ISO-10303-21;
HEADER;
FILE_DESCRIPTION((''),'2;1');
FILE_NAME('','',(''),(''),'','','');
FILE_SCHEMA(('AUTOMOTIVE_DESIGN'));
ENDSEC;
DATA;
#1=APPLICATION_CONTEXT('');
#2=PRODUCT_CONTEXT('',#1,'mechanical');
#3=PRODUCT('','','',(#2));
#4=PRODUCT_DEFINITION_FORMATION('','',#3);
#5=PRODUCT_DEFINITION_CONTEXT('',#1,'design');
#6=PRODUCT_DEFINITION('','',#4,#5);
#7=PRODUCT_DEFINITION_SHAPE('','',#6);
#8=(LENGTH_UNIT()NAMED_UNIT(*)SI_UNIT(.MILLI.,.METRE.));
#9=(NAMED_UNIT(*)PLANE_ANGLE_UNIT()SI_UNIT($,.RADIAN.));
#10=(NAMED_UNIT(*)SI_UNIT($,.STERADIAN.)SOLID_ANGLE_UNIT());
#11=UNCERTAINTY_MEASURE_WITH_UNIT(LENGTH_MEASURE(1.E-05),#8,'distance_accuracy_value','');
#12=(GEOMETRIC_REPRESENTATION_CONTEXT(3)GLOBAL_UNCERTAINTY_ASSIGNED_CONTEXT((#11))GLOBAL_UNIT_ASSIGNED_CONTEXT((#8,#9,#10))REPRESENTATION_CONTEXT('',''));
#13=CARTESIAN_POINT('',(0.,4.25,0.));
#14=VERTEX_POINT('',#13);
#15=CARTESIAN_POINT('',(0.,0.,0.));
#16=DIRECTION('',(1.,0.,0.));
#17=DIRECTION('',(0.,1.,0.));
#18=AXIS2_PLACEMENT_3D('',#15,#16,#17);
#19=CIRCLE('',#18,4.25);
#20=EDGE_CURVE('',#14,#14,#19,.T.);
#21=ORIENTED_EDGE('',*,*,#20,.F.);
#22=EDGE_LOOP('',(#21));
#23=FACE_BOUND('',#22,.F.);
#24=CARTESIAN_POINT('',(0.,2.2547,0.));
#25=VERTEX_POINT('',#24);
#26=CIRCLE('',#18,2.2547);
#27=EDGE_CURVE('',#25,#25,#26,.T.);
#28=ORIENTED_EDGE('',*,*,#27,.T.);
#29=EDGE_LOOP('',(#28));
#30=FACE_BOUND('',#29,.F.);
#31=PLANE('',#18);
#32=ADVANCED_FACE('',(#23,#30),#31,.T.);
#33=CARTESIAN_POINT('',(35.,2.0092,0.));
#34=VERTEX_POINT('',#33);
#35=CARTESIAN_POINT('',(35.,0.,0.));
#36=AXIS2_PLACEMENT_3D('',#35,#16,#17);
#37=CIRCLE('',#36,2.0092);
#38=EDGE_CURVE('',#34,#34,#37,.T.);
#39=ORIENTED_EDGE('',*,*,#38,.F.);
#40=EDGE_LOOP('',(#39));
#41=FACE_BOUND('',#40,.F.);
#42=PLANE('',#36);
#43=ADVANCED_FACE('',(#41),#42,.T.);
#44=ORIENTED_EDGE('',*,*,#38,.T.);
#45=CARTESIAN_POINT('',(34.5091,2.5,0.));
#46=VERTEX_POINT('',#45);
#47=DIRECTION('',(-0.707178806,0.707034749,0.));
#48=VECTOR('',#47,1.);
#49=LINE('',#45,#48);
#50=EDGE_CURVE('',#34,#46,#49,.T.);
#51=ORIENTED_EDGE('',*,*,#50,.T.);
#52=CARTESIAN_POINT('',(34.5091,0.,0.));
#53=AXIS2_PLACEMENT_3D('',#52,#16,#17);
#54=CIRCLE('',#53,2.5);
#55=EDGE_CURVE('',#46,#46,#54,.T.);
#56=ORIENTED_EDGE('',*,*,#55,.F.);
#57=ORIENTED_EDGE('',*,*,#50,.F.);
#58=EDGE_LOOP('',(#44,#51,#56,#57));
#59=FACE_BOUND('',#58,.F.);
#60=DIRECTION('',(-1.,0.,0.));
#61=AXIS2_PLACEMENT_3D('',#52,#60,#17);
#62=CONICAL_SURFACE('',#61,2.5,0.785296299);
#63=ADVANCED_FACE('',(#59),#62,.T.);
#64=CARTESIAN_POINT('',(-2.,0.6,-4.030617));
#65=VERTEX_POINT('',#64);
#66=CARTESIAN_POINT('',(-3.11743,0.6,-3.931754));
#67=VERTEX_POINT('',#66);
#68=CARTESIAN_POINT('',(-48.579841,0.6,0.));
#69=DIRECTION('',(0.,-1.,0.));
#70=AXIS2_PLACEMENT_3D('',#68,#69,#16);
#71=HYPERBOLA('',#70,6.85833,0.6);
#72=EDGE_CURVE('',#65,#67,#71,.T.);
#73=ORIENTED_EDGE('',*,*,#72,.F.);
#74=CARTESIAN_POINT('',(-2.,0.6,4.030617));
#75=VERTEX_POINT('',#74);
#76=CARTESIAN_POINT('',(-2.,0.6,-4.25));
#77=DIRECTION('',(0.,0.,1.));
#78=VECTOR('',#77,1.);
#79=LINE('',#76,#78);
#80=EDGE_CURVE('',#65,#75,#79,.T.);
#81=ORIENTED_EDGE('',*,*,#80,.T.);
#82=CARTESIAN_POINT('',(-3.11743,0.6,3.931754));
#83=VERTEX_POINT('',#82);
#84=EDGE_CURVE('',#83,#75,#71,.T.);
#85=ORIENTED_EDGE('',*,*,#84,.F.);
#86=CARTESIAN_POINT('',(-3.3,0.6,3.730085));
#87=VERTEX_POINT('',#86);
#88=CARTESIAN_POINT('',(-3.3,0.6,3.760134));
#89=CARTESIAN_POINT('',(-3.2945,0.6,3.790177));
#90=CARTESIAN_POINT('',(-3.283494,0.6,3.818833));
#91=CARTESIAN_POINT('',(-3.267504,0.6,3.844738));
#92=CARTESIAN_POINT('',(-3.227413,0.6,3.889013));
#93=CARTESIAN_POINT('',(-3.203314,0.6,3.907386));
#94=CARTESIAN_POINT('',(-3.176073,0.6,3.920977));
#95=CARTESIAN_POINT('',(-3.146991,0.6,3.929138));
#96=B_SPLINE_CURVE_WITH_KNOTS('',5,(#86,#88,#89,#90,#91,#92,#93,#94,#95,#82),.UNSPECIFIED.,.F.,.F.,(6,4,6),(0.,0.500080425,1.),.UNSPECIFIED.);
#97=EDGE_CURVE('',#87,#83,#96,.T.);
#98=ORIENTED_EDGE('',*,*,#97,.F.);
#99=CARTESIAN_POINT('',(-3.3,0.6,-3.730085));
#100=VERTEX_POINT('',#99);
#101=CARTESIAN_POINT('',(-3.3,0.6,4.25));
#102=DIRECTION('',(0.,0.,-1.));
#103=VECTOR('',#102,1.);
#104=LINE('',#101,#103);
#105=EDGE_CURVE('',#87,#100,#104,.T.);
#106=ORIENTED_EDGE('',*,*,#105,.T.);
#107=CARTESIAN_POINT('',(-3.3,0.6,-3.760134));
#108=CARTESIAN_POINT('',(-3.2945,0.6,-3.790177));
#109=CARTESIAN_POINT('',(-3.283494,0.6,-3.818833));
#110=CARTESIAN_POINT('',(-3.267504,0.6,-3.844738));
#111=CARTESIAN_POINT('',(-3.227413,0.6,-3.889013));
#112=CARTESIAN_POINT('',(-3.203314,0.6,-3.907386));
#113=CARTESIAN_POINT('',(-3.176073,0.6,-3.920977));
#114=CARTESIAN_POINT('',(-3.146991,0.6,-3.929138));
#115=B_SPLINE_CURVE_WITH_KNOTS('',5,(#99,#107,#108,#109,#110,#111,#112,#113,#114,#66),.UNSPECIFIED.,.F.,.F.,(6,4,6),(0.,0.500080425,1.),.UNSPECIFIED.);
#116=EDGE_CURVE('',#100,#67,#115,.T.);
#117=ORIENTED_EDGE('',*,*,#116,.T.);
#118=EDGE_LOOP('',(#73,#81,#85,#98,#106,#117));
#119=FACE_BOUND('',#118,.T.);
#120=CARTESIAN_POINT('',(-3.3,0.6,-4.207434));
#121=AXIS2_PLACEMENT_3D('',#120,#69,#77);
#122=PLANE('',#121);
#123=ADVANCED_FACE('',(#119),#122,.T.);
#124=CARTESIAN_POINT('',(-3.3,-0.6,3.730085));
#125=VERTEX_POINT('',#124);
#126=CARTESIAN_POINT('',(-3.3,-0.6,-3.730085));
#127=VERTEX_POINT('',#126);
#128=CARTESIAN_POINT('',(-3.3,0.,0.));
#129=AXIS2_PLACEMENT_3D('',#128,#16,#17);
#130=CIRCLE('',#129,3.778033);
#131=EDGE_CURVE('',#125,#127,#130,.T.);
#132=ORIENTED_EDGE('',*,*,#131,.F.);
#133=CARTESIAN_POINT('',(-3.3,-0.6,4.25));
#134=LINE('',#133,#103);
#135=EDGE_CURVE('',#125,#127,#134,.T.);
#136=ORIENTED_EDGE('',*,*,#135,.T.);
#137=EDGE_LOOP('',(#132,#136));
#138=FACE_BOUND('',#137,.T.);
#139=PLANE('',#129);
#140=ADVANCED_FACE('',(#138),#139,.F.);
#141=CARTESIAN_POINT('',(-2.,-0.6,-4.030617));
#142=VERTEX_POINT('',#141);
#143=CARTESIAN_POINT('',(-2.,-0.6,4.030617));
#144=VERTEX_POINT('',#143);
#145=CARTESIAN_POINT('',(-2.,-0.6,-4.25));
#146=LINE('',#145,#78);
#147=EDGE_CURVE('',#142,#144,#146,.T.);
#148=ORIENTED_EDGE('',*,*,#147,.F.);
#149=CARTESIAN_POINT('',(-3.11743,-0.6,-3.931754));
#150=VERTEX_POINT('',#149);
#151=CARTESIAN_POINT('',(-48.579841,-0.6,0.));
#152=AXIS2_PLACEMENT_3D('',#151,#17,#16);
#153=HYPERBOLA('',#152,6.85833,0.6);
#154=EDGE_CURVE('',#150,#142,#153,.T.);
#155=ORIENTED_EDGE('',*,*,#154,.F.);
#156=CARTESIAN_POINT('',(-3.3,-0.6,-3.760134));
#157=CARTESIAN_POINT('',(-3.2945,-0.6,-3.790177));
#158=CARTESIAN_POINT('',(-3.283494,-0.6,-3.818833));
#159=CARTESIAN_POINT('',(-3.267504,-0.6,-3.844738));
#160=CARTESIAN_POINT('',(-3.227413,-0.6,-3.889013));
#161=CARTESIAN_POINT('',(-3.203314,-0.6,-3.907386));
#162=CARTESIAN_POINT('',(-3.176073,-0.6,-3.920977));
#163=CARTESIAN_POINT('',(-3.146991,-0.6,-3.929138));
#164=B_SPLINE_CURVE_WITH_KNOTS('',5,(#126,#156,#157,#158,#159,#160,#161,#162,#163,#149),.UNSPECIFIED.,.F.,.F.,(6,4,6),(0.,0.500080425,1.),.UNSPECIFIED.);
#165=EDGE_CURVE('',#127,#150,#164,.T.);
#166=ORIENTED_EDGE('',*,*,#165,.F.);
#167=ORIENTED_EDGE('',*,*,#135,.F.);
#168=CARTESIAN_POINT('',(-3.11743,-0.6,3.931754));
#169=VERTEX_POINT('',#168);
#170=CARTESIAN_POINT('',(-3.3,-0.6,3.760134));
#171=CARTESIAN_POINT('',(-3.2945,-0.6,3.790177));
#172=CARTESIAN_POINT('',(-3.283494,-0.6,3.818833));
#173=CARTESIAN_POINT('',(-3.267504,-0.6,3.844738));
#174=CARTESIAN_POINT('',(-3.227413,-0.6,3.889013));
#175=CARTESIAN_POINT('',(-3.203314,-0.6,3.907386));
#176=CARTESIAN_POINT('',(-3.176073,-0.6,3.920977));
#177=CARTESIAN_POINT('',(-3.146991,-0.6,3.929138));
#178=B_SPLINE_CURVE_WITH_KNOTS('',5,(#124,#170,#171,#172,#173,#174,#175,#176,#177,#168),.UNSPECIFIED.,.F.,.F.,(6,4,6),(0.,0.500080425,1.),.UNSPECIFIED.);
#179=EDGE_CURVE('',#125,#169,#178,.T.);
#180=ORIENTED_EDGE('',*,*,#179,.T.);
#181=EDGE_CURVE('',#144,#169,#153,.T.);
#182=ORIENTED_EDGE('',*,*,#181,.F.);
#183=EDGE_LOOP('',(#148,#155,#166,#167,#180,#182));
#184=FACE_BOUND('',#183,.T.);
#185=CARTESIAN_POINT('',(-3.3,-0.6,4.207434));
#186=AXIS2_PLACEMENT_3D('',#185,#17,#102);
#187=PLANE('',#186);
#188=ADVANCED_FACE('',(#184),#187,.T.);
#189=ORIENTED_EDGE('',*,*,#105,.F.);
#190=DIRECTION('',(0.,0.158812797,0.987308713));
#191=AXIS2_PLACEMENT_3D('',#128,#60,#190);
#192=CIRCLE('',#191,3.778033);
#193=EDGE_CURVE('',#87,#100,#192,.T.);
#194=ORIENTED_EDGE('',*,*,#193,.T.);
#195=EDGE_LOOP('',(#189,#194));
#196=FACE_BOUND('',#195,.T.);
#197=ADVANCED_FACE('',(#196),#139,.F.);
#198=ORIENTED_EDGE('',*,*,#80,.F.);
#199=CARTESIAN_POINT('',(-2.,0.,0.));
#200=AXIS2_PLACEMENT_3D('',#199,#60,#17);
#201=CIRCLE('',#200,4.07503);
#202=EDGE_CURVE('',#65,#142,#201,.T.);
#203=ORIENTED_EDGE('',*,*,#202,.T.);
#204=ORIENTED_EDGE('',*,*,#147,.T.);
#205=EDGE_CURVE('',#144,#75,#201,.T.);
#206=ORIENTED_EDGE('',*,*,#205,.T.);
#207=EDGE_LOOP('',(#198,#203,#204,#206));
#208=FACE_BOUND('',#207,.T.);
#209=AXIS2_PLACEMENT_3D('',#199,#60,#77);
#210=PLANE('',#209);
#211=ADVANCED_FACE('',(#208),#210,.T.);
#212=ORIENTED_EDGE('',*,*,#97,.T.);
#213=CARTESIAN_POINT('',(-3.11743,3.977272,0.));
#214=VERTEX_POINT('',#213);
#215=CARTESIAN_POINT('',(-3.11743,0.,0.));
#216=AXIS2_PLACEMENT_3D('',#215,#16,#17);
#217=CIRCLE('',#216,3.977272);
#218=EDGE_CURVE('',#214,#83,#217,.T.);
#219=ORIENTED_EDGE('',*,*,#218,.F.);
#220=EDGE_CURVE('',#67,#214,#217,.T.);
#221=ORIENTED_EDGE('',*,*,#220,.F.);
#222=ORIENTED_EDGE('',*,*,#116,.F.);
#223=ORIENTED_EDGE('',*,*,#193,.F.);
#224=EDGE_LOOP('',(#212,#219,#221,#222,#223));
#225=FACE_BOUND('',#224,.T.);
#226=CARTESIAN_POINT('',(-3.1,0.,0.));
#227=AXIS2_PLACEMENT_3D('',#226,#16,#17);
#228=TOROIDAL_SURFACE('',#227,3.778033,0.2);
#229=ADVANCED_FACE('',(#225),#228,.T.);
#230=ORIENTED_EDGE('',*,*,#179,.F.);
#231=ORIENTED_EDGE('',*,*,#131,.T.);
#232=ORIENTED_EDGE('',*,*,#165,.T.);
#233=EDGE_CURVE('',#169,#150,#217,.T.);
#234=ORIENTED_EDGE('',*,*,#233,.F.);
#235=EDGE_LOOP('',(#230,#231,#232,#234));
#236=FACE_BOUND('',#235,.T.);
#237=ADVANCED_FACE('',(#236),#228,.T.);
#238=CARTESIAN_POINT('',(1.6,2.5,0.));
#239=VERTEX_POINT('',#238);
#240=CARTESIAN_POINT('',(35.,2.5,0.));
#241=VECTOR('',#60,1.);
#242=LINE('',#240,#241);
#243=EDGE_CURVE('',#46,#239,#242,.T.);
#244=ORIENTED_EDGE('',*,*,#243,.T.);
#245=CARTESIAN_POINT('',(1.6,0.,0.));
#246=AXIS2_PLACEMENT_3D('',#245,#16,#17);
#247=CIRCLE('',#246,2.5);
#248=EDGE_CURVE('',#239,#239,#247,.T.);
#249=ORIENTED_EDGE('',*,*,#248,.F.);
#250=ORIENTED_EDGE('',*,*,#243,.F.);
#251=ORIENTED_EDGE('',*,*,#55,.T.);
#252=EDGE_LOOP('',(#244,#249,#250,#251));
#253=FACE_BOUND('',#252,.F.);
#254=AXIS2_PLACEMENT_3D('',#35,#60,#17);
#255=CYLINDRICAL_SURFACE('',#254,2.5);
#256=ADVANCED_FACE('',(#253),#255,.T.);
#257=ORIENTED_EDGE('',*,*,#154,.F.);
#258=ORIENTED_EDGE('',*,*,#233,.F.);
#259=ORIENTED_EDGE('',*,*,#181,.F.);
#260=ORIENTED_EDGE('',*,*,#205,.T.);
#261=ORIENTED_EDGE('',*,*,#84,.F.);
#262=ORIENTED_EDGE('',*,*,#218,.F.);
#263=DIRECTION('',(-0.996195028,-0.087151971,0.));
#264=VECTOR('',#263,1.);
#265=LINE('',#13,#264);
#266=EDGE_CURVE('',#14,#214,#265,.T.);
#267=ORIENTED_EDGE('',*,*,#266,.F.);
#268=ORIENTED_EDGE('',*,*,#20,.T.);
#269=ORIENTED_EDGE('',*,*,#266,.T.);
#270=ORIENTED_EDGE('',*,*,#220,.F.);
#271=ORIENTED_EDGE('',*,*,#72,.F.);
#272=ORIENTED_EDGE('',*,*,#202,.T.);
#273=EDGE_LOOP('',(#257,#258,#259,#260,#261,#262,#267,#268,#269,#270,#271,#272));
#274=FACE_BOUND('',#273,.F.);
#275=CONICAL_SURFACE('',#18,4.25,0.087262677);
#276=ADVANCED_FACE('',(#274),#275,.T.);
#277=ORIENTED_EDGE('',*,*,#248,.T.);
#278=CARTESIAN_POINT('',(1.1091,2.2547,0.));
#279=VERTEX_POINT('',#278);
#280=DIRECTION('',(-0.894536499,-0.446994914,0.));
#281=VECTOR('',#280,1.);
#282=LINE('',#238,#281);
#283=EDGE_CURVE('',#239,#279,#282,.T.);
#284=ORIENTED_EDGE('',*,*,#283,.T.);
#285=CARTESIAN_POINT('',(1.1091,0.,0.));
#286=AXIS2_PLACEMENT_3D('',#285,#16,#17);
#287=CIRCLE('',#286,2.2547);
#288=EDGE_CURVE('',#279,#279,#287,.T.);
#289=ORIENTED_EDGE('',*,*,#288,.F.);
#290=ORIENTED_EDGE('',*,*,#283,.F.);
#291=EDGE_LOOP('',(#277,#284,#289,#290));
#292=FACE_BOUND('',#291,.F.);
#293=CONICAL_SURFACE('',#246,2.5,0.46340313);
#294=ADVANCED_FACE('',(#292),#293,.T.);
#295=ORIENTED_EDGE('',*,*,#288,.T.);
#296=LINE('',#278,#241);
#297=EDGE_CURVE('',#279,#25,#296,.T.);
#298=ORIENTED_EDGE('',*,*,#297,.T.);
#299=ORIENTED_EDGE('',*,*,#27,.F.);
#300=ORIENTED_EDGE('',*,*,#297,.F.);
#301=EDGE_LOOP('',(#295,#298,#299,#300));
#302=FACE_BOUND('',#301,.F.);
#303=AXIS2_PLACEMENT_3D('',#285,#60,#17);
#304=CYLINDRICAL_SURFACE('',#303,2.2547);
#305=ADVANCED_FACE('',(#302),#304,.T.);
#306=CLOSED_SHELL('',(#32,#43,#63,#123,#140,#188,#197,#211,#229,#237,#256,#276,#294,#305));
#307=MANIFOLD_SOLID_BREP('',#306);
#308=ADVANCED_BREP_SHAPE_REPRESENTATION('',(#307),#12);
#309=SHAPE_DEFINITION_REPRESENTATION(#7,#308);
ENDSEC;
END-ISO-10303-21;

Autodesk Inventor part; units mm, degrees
ref_plane "YZ Plane" through (0, 0, 0) normal (1, 0, 0) x (0, 1, 0)
ref_plane "XZ Plane" through (0, 0, 0) normal (0, 1, 0) x (-1, 0, 0)
sketch "Sketch1" plane through (0, 0, 0) normal (0, 0, 1) x (1, 0, 0)
  line L0 (-3.3, 0) -> (35, 0)
  line L1 (35, 0) -> (35, 2.5)
  line L2 (35, 2.5) -> (1.6, 2.5)
  line L3 (1.6, 2.5) -> (1.1091, 2.2547)
  line L4 (1.1091, 2.2547) -> (0, 2.2547)
  line L5 (0, 2.2547) -> (0, 4.25)
  line L6 (-10.96, 0) -> (42.66, 0) projected
  line L7 (0, -0.85) -> (0, 5.1) projected
  line L8 (-3.3, 0) -> (-3.3, 3.9613)
  line L9 (0, 4.25) -> (-3.3, 3.9613)
  line L10 (1.6, 2.5) -> (0, 2.5) construction
  dimension "d0" = 35
  dimension "d1" = 33.4
  dimension "d2" = 0.4909
  dimension "d3" = 3.3
  dimension "d4" = 5
  dimension "d5" = 4.5095
  dimension "d9" = 8.5
  dimension "d10" = 5
revolve "Body" add sketch "Sketch1" angle 360 about axis through (-3.3, 0, 0) along (1, 0, 0)
sketch "Sketch2" plane through (-3.3, 0, 0) normal (-1, 0, 0) x (0, 0, 1)
  circle A0 centre (0, 0) radius 4.25 projected
  line L0 (0, 0) -> (0, 3.9613) projected
  line L1 (-4.25, 0.6) -> (4.25, 0.6)
  line L2 (4.25, 0.6) -> (4.25, -0.6)
  line L3 (4.25, -0.6) -> (-4.25, -0.6)
  line L4 (-4.25, -0.6) -> (-4.25, 0.6)
  line L5 (-4.25, 0) -> (4.25, 0) construction
  line L6 (0, 0.6) -> (0, -0.6) construction
  dimension "d11" = 1.2
  dimension "d12" = 8.5
fillet "Fillet1" radius 0.2 1 edges at (-3.3, -3.9613, 0)
extrude "Slot" cut sketch "Sketch2" against normal blind 1.3 contours A0 L3 L1 | L2 L3 A0 | A0 L1 L2 | A0 L4 L1 | L3 L4 A0
thread "Thread" size "M5x0.8" class "6g" standard "ISO Metric profile" length 33.4
chamfer "Chamfer1" distance 0.4908 distance2 0.4909 1 edges at (35, -2.5, 0) measured on face at (35, 0.1959, -0.44)
ref_plane "Work Plane1" through (30.1625, 0, 0) normal (0, 0, -1) x (1, 0, 0)
equation "\"d11\" = SBR"
equation "\"d12\" = KOD"
equation "\"d19\" = STI"
equation "\"d14\" = RR"
equation "\"d15\" = GEL"
equation "\"d17\" = -0.5 * SPD + 0.5 * GD"
equation "\"d0\" = NLG"
equation "\"d1\" = GEL"
equation "\"d3\" = KOH"
equation "\"d4\" = GD"
equation "\"d5\" = BDM"
equation "\"d9\" = KOD"
equation "\"d10\" = KEWI"
equation "\"GD\" = NND"
equation "\"NLG\" = 35"
equation "\"GEL\" = 33.4"
equation "\"KOD\" = 8.5"
equation "\"KOH\" = 3.3"
equation "\"GAL\" = 0.61345 * PTC"
equation "\"SPD\" = NND - 1.2269 * PTC"
equation "\"BDM\" = 4.5095"
equation "\"GUL\" = 0.61345 * PTC"
equation "\"RR\" = 0.2"
equation "\"SBR\" = 1.2"
equation "\"STI\" = 1.3"
equation "\"KEWI\" = 5deg"
equation "\"PTC\" = 0.8"
equation "\"THREADDIA\" = 5"
equation "\"TOA\" = 30deg"
equation "\"NND\" = 5"
equation "\"GD1\" = THREADDIA - 1.2269 * PTC"
properties part number "ISO 1207 - M5 x 35" material "Stainless Steel, 440C"
